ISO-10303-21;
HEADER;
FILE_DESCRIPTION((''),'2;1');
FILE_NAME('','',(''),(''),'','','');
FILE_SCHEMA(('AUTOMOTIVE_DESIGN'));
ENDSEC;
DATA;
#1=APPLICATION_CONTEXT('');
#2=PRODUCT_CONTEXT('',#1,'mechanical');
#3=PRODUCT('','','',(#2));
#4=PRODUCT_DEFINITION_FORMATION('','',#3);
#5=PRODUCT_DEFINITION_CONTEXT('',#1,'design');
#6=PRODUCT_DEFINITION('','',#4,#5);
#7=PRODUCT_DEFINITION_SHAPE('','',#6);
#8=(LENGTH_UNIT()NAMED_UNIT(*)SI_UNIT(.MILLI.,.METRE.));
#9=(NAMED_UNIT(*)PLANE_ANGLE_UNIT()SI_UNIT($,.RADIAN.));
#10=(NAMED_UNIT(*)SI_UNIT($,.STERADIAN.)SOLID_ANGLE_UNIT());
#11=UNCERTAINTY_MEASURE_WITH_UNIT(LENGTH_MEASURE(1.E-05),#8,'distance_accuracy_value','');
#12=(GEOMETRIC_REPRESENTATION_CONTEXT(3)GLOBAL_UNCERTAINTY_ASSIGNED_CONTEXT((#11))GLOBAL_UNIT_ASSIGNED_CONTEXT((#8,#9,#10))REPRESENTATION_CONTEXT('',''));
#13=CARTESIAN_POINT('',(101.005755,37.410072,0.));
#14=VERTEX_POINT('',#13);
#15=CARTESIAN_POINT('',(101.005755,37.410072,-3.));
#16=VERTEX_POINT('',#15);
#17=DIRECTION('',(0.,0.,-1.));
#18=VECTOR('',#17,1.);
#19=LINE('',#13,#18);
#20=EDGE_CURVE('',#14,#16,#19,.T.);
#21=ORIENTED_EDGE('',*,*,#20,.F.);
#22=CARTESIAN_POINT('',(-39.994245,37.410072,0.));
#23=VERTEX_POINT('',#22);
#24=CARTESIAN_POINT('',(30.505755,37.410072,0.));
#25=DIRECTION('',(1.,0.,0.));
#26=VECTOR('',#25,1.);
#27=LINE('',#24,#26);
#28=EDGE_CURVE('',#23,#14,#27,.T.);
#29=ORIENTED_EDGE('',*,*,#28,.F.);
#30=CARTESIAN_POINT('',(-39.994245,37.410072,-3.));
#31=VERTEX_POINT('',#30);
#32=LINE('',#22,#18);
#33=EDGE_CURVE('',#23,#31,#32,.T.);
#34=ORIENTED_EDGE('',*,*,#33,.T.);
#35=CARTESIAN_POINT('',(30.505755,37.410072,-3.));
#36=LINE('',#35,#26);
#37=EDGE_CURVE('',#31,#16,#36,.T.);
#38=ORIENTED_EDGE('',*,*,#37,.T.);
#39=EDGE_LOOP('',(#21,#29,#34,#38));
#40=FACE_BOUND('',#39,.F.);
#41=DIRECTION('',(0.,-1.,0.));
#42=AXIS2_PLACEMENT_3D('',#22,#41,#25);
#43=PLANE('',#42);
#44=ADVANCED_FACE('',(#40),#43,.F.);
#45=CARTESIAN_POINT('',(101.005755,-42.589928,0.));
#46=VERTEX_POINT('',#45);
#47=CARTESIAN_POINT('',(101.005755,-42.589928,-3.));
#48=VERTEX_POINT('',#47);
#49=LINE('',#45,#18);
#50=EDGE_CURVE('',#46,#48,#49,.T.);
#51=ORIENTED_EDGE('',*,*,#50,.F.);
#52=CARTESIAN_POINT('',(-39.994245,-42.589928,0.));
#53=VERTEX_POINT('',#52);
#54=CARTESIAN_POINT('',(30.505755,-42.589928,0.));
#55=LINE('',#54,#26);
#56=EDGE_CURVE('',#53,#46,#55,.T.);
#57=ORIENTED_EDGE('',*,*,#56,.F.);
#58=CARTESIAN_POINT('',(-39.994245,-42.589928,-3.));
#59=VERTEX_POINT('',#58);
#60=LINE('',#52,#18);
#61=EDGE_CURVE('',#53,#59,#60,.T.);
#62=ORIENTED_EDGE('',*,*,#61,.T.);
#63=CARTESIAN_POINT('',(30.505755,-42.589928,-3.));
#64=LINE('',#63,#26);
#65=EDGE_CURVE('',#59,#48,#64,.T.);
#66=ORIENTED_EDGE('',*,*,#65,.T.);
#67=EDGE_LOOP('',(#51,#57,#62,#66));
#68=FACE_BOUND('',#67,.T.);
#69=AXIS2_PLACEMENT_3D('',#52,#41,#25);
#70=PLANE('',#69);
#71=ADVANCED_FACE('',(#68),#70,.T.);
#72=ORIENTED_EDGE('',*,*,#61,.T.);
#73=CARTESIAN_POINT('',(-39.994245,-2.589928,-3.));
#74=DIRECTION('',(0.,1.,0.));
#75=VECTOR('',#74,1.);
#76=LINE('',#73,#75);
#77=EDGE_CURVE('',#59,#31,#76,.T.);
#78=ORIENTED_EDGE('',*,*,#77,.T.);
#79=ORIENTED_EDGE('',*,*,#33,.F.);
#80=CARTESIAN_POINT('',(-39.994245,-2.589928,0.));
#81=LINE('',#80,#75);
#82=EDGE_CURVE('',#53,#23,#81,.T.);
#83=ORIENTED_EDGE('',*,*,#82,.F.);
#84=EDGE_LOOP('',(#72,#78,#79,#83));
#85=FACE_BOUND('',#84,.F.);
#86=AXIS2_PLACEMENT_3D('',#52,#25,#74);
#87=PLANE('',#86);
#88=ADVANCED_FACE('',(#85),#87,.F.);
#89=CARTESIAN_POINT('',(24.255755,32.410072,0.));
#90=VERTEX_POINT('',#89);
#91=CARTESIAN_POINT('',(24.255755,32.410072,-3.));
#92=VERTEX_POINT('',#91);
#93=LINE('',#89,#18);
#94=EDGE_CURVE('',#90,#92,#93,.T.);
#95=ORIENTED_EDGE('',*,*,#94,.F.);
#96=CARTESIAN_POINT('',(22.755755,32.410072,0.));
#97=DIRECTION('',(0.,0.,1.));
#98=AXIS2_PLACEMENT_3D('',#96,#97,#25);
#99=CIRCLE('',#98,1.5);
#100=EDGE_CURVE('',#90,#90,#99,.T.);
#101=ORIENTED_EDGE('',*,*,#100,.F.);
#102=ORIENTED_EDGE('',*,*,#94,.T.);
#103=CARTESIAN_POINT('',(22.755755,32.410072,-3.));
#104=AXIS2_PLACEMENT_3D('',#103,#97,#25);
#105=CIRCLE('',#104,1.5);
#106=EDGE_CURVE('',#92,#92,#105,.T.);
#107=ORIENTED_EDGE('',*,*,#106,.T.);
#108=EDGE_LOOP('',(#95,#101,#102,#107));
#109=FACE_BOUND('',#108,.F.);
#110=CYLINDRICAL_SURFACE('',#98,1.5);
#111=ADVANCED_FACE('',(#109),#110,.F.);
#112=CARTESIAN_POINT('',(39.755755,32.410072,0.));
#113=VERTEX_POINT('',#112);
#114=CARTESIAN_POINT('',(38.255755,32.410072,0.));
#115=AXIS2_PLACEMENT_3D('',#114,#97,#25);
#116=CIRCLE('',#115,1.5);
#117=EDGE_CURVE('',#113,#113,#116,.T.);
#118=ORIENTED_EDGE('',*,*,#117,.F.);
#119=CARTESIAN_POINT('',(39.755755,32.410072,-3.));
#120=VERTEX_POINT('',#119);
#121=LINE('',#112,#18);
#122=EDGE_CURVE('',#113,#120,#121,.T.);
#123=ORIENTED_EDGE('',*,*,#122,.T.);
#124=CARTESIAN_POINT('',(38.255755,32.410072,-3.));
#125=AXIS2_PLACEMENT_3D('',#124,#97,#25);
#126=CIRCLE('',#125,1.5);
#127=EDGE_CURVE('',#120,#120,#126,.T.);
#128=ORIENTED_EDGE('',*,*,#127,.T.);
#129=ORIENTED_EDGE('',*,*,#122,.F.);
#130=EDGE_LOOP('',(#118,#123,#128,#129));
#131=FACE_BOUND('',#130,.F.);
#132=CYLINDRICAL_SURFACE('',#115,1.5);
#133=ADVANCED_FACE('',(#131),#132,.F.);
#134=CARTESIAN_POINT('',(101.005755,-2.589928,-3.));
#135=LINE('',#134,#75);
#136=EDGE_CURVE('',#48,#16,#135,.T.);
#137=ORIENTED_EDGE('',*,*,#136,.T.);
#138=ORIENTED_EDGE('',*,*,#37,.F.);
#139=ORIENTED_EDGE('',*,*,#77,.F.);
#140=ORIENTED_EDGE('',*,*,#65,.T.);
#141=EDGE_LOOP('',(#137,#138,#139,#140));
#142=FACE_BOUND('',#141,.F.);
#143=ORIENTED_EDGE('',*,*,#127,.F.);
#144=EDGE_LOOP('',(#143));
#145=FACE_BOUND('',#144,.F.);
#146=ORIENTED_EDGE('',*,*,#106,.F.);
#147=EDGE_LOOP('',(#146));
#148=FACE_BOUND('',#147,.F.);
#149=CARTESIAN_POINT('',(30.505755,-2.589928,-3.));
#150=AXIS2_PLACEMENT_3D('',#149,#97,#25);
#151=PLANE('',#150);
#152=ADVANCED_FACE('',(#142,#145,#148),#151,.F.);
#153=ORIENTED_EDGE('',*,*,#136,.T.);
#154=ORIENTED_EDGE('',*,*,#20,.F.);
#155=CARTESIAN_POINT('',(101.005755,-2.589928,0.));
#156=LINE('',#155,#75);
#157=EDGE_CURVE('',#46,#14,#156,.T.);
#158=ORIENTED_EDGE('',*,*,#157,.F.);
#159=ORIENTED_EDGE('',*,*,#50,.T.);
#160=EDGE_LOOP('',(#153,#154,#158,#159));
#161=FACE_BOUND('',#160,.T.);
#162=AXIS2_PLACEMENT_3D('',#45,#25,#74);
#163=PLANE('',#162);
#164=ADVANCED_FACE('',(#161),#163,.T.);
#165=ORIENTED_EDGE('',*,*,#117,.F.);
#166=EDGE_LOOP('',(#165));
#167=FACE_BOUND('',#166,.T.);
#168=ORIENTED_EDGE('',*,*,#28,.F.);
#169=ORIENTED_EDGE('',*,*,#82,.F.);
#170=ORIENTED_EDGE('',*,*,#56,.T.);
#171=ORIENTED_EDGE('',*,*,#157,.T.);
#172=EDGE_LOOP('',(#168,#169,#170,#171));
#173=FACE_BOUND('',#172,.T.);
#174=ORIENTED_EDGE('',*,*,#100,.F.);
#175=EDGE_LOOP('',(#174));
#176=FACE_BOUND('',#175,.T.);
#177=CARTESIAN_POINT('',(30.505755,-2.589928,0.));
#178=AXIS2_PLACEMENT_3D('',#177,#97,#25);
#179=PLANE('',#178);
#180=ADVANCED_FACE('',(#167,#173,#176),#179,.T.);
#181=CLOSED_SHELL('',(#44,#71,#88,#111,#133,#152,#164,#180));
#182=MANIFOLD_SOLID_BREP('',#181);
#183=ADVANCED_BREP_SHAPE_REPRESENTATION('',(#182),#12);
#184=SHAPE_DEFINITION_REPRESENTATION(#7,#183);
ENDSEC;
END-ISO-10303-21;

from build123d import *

# Parameters (mm, degrees)
SKETCH_1_W          = 141
SKETCH_1_H          = 80
EXTRUDE_1_DEPTH     = 3
SKETCH_2_R          = 1.5
CUT_EXTRUDE_1_DEPTH = 4


with BuildPart() as part:
    # ｽｹｯﾁ1 → ﾎﾞｽ - 押し出し1 (new body)
    with BuildSketch(Plane.XY):
        with Locations((30.505755396, -2.589928058)):
            Rectangle(SKETCH_1_W, SKETCH_1_H)
    extrude(amount=-EXTRUDE_1_DEPTH)

    # ｽｹｯﾁ2 → ｶｯﾄ - 押し出し1 (cut, through all)
    with BuildSketch(Plane.XY):
        with Locations((22.755755396, 32.410071942)):
            Circle(SKETCH_2_R)
        with Locations((38.255755396, 32.410071942)):
            Circle(SKETCH_2_R)
    extrude(amount=-CUT_EXTRUDE_1_DEPTH, mode=Mode.SUBTRACT)


solid = part.part
